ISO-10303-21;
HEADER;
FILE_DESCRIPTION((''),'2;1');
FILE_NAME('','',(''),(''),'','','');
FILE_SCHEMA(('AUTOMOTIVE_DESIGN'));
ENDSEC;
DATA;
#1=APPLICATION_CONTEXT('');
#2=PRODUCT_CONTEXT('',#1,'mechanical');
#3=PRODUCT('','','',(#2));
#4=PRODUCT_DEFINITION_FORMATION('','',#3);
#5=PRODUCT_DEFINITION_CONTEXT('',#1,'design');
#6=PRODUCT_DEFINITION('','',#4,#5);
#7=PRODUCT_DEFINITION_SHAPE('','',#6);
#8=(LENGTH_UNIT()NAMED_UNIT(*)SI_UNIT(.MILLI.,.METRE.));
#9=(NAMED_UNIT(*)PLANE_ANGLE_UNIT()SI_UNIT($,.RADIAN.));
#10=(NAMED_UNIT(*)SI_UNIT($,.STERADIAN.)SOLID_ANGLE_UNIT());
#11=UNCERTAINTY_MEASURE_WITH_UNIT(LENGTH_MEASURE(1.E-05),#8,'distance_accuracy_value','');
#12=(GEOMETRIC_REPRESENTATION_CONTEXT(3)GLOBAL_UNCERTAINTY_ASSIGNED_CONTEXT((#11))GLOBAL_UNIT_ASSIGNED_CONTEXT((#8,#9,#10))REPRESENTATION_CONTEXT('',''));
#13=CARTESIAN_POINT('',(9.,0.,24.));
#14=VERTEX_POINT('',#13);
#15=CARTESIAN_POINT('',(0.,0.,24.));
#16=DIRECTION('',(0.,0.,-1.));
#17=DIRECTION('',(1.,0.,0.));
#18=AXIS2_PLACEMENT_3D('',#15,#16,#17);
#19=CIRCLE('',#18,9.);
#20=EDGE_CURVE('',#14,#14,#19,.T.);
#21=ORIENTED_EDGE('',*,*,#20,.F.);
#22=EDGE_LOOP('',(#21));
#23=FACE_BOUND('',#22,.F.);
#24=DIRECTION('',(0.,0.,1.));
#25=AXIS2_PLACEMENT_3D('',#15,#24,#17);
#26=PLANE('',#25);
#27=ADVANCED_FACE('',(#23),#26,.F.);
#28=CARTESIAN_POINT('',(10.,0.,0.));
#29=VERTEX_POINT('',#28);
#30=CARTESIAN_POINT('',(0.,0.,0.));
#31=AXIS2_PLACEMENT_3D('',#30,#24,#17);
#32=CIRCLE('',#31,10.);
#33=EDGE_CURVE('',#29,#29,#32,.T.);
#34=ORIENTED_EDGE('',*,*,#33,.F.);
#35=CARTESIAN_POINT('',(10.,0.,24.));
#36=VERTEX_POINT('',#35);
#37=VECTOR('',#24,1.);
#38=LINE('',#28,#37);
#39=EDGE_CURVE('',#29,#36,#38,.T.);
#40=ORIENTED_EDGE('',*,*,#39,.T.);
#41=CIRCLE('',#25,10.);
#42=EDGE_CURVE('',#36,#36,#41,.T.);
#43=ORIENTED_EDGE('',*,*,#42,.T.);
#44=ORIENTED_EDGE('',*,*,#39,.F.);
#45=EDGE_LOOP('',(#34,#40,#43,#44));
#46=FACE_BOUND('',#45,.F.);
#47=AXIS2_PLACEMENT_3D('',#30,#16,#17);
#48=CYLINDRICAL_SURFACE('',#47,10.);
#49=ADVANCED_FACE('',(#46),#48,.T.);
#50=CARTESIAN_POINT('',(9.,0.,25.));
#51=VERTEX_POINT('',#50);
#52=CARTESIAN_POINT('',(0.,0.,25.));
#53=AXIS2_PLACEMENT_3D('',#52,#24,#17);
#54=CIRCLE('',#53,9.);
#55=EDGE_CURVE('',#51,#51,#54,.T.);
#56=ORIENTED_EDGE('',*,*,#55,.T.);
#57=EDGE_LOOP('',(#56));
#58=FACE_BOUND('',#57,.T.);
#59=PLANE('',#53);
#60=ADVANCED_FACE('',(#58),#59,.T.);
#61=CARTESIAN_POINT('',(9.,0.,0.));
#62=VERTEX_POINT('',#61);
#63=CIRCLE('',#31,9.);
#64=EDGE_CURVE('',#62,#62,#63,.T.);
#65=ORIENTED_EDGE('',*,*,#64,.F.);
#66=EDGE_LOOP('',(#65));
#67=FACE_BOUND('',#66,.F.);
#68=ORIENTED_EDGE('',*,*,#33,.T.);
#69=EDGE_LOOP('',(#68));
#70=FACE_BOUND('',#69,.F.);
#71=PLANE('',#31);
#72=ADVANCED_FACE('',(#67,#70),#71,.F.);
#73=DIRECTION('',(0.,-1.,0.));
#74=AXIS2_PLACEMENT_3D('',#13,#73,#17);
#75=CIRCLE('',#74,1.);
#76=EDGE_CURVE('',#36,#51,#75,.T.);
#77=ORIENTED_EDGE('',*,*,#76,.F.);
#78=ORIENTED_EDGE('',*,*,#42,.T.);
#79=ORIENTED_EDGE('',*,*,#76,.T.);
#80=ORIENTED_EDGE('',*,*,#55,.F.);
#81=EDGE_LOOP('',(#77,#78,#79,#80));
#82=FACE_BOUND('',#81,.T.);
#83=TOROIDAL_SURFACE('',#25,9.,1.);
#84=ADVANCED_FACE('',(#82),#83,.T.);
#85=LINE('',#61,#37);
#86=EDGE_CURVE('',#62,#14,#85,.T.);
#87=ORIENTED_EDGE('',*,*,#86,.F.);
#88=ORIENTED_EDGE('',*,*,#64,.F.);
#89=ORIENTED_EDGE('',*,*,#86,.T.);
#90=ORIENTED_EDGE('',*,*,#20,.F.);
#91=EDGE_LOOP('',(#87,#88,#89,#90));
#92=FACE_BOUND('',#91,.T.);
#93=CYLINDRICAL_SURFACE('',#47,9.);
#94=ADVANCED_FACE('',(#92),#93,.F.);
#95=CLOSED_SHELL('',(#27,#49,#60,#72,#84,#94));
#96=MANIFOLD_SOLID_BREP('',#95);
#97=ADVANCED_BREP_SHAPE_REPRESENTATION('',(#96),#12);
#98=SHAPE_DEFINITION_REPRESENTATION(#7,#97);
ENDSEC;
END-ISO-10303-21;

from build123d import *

# Parameters (mm, degrees)
F0_R     = 10
F1_DEPTH = 25
F2_T     = -1
F3_R     = 1


with BuildPart() as f1:
    # F0 (on Top) → F1 (new body)
    with BuildSketch(Plane.XY):
        Circle(F0_R)
    extrude(amount=F1_DEPTH)

    # F2
    f2_openings = [f1.faces().sort_by_distance(p)[0] for p in [
        (0, 0, 0),
    ]]
    offset(amount=F2_T, openings=f2_openings)

    # F3
    f3_edges = [f1.edges().sort_by_distance(p)[0] for p in [
        (-10, 0, 25),
    ]]
    fillet(f3_edges, radius=F3_R)


solid = f1.part
